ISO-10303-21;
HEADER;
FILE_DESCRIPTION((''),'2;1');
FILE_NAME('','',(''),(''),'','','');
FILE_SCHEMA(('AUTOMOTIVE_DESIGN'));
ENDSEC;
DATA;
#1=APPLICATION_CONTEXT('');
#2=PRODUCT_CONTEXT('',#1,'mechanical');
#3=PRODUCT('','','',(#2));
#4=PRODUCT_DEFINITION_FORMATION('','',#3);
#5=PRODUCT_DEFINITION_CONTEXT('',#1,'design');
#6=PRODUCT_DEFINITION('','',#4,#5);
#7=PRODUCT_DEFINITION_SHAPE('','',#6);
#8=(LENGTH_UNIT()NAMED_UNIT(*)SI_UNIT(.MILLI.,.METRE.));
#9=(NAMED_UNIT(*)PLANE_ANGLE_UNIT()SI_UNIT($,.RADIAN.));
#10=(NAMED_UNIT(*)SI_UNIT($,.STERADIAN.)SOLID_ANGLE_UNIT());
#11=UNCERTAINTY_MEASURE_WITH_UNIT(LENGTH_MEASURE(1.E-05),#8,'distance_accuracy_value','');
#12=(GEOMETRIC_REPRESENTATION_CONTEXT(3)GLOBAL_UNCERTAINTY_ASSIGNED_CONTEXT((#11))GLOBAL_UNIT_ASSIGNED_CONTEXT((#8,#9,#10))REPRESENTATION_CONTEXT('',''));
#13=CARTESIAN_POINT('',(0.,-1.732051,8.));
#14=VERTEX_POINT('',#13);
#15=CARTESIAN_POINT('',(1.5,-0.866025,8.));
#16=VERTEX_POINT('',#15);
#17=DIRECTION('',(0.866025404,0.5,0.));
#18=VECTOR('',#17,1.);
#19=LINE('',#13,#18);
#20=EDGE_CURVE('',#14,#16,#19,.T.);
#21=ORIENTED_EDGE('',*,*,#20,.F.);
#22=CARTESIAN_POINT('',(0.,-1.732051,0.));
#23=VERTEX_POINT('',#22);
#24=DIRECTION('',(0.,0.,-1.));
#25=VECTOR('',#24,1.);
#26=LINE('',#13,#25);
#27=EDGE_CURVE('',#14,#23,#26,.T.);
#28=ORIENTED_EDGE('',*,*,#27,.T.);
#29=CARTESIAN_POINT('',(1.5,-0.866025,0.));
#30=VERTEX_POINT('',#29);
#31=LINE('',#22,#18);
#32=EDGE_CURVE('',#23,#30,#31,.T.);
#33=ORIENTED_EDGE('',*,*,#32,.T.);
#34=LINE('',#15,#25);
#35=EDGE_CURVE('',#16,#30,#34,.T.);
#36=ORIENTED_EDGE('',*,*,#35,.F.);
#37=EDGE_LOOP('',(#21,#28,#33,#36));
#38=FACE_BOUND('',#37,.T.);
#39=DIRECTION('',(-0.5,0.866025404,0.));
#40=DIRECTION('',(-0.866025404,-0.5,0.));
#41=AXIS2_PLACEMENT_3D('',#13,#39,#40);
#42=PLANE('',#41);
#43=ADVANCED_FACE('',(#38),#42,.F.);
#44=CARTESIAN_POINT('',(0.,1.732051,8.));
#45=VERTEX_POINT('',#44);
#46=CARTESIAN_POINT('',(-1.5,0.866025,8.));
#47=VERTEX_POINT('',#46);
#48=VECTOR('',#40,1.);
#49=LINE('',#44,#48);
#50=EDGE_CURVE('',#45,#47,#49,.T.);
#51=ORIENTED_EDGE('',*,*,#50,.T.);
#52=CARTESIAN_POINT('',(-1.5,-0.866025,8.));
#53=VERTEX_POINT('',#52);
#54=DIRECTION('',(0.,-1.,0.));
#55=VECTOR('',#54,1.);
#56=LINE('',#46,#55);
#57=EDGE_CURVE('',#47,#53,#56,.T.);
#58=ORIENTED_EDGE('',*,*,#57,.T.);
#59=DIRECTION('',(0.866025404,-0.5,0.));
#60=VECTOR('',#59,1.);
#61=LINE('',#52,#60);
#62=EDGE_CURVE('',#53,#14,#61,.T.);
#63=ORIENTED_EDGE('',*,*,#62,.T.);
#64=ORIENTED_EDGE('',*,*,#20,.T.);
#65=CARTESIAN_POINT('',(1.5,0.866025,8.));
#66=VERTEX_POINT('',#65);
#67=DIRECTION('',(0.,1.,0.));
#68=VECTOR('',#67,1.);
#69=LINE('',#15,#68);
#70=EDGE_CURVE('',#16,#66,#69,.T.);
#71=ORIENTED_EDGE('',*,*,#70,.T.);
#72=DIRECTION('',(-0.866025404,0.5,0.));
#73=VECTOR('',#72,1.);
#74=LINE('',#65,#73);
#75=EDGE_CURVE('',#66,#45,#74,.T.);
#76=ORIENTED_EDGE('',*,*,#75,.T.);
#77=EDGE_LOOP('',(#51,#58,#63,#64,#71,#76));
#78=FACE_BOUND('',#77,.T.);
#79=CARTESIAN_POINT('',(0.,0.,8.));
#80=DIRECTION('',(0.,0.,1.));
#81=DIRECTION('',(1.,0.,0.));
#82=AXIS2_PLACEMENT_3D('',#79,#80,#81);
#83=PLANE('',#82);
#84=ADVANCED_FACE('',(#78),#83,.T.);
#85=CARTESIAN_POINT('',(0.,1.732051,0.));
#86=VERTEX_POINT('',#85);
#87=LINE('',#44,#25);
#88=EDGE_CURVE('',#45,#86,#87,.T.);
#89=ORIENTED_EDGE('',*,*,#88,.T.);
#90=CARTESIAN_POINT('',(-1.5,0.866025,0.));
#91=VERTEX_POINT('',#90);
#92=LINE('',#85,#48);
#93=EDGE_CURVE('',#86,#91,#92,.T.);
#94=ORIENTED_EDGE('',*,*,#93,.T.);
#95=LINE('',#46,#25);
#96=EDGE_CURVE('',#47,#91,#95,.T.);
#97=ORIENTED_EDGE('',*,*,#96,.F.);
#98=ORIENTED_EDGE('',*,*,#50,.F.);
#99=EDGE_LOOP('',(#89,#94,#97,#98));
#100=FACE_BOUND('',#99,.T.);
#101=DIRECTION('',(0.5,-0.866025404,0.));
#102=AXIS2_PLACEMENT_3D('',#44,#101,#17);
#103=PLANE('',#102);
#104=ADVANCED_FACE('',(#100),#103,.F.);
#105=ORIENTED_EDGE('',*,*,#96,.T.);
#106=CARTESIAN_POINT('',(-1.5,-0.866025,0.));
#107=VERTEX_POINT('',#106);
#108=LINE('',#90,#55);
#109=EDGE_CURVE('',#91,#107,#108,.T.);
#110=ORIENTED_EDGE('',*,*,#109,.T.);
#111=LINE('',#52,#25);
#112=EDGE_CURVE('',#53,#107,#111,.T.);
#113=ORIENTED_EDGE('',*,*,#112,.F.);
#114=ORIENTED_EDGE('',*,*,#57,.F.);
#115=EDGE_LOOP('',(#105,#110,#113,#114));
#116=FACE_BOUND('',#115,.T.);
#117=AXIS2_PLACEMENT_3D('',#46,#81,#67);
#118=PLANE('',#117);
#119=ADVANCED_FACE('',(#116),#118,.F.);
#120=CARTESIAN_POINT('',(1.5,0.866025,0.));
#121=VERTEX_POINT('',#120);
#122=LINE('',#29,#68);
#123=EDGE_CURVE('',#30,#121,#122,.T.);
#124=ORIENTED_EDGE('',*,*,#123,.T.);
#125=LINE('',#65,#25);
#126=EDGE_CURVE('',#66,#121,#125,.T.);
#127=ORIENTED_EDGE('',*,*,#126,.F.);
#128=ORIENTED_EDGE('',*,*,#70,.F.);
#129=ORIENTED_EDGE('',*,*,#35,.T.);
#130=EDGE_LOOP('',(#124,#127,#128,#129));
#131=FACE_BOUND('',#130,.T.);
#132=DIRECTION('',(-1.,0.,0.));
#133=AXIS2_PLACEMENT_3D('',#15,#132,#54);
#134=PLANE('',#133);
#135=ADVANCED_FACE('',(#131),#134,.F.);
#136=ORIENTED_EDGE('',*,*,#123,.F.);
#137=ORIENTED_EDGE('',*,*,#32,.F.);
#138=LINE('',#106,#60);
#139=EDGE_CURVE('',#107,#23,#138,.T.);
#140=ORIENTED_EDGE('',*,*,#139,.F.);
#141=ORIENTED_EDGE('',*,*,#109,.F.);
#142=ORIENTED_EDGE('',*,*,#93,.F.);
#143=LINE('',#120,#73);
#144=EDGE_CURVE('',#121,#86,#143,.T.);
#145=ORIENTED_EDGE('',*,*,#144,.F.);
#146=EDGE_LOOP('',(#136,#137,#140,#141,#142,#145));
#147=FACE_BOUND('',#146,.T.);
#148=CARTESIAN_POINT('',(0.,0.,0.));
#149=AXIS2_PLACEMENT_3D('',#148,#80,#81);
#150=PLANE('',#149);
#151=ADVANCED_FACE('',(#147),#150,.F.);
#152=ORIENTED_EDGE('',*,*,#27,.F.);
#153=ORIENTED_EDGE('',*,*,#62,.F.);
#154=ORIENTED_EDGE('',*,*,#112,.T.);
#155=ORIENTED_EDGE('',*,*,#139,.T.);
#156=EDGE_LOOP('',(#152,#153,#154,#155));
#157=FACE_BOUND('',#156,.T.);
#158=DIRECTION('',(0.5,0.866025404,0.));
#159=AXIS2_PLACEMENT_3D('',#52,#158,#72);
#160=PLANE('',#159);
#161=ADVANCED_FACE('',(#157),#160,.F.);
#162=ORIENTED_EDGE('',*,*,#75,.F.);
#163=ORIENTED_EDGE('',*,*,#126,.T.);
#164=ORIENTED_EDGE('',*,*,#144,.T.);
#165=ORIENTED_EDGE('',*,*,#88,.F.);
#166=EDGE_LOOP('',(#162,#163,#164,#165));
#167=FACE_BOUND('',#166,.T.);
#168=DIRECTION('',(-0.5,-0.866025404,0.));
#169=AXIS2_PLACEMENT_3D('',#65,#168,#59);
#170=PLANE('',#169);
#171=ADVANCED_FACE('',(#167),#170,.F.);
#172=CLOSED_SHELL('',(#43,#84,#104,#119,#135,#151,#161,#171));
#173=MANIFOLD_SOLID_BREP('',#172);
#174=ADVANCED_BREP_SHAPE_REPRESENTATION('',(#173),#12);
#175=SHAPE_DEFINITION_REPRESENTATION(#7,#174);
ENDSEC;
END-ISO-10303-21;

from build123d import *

# Parameters (mm, degrees)
EXTRUDE_1_DEPTH = 8


with BuildPart() as part:
    # 草图2 → 凸台-拉伸1 (new body)
    with BuildSketch(Plane.XY):
        Polygon((0, 1.732050808), (-1.5, 0.866025404), (-1.5, -0.866025404), (0, -1.732050808), (1.5, -0.866025404), (1.5, 0.866025404), align=None)
    extrude(amount=EXTRUDE_1_DEPTH)


solid = part.part
